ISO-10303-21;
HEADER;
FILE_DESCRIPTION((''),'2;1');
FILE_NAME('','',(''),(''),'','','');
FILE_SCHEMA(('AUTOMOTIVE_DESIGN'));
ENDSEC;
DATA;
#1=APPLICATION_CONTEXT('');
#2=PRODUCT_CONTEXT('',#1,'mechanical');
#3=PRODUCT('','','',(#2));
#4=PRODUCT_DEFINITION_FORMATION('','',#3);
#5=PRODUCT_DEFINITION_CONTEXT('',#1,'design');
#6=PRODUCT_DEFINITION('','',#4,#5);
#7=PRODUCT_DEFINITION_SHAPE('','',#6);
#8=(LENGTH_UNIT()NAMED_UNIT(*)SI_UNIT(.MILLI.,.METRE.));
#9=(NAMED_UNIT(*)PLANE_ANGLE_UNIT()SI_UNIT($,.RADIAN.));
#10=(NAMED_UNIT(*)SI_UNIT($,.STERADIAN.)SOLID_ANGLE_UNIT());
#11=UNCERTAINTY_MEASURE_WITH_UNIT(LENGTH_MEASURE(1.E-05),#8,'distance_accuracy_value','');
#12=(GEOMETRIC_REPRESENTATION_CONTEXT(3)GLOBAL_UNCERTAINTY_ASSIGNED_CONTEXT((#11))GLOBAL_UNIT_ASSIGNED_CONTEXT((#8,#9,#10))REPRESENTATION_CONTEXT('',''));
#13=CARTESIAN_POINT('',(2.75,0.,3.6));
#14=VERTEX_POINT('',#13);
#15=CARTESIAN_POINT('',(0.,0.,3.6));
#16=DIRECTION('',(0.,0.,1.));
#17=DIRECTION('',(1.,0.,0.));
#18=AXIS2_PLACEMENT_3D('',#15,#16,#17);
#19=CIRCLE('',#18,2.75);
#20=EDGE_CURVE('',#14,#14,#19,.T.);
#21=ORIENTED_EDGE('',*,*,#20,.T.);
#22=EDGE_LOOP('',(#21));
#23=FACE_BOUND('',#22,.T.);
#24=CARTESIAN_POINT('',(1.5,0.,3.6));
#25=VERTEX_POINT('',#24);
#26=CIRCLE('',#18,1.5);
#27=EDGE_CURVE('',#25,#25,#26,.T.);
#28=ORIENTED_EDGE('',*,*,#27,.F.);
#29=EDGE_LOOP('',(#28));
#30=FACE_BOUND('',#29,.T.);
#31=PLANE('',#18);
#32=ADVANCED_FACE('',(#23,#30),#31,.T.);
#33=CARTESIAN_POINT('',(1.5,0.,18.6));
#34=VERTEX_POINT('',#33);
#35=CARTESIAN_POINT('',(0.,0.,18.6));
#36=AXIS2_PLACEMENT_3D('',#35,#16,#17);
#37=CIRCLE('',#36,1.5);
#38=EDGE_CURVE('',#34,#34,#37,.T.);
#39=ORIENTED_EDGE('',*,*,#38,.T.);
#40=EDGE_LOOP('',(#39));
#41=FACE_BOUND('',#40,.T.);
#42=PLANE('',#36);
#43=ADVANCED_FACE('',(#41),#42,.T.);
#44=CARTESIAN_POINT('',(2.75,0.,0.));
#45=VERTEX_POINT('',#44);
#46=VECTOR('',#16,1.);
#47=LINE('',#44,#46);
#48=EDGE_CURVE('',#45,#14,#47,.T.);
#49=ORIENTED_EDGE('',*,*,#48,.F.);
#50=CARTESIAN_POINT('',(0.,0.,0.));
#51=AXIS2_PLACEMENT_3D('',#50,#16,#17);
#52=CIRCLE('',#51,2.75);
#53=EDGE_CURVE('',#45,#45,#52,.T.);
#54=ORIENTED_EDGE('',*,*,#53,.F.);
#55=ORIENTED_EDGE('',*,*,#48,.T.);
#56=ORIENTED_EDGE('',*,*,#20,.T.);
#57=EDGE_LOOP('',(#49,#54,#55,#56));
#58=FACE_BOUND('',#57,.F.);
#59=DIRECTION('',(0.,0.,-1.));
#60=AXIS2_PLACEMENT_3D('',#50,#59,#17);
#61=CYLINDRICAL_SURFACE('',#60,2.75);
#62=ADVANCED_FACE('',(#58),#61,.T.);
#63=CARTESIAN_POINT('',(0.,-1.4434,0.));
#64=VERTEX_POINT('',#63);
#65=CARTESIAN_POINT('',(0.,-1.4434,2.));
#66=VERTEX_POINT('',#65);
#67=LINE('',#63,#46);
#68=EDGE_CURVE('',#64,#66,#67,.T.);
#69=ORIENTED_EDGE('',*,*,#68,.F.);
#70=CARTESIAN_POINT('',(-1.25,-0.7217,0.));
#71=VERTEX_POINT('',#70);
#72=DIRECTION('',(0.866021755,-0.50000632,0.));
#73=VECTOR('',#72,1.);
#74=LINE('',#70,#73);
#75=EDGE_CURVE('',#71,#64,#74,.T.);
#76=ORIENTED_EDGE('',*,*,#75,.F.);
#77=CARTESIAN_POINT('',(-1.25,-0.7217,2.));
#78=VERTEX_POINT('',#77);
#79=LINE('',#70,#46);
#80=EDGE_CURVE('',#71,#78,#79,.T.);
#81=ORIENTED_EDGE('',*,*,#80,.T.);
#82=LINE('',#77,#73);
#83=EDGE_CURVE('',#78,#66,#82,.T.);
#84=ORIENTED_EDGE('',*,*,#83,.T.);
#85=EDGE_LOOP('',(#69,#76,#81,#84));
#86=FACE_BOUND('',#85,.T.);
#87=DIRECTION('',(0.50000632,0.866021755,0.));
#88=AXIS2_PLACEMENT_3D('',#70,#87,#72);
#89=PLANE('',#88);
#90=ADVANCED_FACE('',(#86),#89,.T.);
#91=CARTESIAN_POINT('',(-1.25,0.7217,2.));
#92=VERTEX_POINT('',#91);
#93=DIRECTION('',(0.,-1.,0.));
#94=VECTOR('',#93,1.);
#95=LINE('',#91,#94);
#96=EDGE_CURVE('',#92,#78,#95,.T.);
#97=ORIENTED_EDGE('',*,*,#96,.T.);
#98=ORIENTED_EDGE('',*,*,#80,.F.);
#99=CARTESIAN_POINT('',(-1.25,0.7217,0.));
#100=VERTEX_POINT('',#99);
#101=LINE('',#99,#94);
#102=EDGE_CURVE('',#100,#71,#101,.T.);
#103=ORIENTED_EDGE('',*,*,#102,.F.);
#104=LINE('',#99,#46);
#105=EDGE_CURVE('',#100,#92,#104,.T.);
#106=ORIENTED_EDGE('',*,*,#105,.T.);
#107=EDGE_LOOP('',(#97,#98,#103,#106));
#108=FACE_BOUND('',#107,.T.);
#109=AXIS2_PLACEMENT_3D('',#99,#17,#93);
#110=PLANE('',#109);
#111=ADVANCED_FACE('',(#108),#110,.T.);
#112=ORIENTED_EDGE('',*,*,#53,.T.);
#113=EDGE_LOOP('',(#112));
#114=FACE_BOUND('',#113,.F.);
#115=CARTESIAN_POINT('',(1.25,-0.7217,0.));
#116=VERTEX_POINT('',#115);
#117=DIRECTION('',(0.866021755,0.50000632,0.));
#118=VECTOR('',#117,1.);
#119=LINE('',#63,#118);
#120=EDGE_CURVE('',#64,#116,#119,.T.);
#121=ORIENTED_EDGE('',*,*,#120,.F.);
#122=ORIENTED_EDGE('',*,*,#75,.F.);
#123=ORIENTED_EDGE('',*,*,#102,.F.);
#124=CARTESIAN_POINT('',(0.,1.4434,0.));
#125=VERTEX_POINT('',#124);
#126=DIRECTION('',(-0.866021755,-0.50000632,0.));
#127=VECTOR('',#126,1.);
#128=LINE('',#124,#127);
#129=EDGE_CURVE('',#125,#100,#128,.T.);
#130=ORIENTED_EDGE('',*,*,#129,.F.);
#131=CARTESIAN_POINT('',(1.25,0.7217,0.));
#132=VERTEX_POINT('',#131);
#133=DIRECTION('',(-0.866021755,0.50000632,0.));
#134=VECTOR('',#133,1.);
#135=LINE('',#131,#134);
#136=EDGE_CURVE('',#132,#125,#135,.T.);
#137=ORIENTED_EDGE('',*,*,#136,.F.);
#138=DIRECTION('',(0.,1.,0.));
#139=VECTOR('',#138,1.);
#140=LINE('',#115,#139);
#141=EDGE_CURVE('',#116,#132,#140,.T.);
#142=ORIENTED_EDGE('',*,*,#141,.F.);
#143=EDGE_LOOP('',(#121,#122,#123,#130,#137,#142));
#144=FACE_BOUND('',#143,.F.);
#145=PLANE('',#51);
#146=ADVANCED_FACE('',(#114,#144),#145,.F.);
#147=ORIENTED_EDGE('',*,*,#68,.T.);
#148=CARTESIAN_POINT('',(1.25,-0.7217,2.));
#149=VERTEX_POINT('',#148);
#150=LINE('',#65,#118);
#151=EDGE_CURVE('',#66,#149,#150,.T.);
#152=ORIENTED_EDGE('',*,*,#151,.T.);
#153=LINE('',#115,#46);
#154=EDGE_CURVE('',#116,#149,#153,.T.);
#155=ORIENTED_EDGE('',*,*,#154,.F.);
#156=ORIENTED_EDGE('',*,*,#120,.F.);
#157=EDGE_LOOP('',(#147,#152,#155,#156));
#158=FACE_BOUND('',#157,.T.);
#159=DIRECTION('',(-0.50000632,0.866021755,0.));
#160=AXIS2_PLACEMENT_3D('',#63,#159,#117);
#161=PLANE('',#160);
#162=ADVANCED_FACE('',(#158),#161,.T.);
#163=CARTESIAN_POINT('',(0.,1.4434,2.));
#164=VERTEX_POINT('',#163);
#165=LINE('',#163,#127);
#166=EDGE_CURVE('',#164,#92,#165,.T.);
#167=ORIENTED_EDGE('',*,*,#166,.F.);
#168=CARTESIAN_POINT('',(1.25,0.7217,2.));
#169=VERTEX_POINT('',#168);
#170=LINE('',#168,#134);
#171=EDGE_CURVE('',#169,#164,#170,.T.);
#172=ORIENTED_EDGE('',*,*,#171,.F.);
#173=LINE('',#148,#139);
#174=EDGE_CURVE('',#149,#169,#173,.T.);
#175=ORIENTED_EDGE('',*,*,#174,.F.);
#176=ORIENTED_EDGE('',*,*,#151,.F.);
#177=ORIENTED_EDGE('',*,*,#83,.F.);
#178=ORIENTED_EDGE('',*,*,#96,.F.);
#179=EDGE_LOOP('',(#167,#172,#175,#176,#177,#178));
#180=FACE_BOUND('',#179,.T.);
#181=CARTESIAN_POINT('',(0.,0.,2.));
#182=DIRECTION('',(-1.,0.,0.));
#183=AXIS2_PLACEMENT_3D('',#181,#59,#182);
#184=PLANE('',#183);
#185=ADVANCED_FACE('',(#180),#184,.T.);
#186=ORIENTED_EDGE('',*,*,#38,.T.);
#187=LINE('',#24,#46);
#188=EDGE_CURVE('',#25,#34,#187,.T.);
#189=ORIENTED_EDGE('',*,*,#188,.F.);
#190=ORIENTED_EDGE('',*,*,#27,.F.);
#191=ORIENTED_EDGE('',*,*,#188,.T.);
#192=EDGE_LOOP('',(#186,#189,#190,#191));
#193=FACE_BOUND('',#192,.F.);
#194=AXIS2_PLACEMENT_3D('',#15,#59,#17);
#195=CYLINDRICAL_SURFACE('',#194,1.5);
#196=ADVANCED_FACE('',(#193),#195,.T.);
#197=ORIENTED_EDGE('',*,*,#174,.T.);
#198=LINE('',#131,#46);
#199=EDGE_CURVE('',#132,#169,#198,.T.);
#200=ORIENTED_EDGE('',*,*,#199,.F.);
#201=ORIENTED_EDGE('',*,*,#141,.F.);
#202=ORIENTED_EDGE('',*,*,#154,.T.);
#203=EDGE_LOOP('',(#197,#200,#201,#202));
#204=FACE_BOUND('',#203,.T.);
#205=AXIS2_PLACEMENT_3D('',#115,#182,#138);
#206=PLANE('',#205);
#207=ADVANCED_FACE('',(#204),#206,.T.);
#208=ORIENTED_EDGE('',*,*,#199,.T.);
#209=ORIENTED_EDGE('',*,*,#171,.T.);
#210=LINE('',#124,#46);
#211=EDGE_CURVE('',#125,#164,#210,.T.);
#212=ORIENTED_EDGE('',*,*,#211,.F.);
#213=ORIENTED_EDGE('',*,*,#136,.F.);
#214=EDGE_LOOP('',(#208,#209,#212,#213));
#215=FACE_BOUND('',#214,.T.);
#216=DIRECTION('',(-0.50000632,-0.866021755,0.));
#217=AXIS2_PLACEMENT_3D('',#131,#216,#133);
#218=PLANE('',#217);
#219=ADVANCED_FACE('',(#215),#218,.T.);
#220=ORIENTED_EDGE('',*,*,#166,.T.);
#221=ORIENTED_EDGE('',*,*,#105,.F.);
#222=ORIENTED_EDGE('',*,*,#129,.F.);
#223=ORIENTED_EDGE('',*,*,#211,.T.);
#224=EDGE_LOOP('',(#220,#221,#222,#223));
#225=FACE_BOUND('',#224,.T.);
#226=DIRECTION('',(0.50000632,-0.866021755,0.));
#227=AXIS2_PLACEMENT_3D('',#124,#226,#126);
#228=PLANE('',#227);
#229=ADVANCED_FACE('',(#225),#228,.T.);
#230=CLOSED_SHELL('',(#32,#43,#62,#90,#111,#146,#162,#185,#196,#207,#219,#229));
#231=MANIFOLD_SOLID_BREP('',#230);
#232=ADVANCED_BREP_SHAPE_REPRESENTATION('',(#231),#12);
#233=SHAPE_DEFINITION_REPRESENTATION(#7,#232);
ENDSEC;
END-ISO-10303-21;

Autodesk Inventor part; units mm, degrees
ref_plane "YZ Plane" through (0, 0, 0) normal (1, 0, 0) x (0, 1, 0)
ref_plane "XZ Plane" through (0, 0, 0) normal (0, 1, 0) x (-1, 0, 0)
ref_plane "XY Plane" through (0, 0, 0) normal (0, 0, 1) x (1, 0, 0)
sketch "スケッチ1" plane through (0, 0, 0) normal (0, 0, 1) x (1, 0, 0)
  circle A0 centre (0, 0) radius 2.75
  dimension "d0" = 5.5
extrude "押し出し1" add sketch "スケッチ1" along normal blind 3.6
sketch "スケッチ2" plane through (0, 0, 3.6) normal (0, 0, 1) x (1, 0, 0)
  circle A0 centre (0, 0) radius 1.5
  dimension "d3" = 3
extrude "押し出し2" add sketch "スケッチ2" along normal blind 15
thread "ねじ1" size "M3x0.5" class "6g" standard "ANSI Metric M Profile" full length
sketch "スケッチ3" plane through (0, 0, 0) normal (0, 0, -1) x (-1, 0, 0)
  line L0 (0, -1.4434) -> (-1.25, -0.7217)
  line L1 (-1.25, -0.7217) -> (-1.25, 0.7217)
  line L2 (-1.25, 0.7217) -> (0, 1.4434)
  line L3 (0, 1.4434) -> (1.25, 0.7217)
  line L4 (1.25, 0.7217) -> (1.25, -0.7217)
  line L5 (1.25, -0.7217) -> (0, -1.4434)
  point P0 (0, 0)
  point P1 (0, 0)
  dimension "d8" = 2.5
extrude "押し出し3" cut sketch "スケッチ3" against normal blind 2
properties part number "Bolt_M3_15_for_SetCollar_d6" material "ステンレス鋼"
